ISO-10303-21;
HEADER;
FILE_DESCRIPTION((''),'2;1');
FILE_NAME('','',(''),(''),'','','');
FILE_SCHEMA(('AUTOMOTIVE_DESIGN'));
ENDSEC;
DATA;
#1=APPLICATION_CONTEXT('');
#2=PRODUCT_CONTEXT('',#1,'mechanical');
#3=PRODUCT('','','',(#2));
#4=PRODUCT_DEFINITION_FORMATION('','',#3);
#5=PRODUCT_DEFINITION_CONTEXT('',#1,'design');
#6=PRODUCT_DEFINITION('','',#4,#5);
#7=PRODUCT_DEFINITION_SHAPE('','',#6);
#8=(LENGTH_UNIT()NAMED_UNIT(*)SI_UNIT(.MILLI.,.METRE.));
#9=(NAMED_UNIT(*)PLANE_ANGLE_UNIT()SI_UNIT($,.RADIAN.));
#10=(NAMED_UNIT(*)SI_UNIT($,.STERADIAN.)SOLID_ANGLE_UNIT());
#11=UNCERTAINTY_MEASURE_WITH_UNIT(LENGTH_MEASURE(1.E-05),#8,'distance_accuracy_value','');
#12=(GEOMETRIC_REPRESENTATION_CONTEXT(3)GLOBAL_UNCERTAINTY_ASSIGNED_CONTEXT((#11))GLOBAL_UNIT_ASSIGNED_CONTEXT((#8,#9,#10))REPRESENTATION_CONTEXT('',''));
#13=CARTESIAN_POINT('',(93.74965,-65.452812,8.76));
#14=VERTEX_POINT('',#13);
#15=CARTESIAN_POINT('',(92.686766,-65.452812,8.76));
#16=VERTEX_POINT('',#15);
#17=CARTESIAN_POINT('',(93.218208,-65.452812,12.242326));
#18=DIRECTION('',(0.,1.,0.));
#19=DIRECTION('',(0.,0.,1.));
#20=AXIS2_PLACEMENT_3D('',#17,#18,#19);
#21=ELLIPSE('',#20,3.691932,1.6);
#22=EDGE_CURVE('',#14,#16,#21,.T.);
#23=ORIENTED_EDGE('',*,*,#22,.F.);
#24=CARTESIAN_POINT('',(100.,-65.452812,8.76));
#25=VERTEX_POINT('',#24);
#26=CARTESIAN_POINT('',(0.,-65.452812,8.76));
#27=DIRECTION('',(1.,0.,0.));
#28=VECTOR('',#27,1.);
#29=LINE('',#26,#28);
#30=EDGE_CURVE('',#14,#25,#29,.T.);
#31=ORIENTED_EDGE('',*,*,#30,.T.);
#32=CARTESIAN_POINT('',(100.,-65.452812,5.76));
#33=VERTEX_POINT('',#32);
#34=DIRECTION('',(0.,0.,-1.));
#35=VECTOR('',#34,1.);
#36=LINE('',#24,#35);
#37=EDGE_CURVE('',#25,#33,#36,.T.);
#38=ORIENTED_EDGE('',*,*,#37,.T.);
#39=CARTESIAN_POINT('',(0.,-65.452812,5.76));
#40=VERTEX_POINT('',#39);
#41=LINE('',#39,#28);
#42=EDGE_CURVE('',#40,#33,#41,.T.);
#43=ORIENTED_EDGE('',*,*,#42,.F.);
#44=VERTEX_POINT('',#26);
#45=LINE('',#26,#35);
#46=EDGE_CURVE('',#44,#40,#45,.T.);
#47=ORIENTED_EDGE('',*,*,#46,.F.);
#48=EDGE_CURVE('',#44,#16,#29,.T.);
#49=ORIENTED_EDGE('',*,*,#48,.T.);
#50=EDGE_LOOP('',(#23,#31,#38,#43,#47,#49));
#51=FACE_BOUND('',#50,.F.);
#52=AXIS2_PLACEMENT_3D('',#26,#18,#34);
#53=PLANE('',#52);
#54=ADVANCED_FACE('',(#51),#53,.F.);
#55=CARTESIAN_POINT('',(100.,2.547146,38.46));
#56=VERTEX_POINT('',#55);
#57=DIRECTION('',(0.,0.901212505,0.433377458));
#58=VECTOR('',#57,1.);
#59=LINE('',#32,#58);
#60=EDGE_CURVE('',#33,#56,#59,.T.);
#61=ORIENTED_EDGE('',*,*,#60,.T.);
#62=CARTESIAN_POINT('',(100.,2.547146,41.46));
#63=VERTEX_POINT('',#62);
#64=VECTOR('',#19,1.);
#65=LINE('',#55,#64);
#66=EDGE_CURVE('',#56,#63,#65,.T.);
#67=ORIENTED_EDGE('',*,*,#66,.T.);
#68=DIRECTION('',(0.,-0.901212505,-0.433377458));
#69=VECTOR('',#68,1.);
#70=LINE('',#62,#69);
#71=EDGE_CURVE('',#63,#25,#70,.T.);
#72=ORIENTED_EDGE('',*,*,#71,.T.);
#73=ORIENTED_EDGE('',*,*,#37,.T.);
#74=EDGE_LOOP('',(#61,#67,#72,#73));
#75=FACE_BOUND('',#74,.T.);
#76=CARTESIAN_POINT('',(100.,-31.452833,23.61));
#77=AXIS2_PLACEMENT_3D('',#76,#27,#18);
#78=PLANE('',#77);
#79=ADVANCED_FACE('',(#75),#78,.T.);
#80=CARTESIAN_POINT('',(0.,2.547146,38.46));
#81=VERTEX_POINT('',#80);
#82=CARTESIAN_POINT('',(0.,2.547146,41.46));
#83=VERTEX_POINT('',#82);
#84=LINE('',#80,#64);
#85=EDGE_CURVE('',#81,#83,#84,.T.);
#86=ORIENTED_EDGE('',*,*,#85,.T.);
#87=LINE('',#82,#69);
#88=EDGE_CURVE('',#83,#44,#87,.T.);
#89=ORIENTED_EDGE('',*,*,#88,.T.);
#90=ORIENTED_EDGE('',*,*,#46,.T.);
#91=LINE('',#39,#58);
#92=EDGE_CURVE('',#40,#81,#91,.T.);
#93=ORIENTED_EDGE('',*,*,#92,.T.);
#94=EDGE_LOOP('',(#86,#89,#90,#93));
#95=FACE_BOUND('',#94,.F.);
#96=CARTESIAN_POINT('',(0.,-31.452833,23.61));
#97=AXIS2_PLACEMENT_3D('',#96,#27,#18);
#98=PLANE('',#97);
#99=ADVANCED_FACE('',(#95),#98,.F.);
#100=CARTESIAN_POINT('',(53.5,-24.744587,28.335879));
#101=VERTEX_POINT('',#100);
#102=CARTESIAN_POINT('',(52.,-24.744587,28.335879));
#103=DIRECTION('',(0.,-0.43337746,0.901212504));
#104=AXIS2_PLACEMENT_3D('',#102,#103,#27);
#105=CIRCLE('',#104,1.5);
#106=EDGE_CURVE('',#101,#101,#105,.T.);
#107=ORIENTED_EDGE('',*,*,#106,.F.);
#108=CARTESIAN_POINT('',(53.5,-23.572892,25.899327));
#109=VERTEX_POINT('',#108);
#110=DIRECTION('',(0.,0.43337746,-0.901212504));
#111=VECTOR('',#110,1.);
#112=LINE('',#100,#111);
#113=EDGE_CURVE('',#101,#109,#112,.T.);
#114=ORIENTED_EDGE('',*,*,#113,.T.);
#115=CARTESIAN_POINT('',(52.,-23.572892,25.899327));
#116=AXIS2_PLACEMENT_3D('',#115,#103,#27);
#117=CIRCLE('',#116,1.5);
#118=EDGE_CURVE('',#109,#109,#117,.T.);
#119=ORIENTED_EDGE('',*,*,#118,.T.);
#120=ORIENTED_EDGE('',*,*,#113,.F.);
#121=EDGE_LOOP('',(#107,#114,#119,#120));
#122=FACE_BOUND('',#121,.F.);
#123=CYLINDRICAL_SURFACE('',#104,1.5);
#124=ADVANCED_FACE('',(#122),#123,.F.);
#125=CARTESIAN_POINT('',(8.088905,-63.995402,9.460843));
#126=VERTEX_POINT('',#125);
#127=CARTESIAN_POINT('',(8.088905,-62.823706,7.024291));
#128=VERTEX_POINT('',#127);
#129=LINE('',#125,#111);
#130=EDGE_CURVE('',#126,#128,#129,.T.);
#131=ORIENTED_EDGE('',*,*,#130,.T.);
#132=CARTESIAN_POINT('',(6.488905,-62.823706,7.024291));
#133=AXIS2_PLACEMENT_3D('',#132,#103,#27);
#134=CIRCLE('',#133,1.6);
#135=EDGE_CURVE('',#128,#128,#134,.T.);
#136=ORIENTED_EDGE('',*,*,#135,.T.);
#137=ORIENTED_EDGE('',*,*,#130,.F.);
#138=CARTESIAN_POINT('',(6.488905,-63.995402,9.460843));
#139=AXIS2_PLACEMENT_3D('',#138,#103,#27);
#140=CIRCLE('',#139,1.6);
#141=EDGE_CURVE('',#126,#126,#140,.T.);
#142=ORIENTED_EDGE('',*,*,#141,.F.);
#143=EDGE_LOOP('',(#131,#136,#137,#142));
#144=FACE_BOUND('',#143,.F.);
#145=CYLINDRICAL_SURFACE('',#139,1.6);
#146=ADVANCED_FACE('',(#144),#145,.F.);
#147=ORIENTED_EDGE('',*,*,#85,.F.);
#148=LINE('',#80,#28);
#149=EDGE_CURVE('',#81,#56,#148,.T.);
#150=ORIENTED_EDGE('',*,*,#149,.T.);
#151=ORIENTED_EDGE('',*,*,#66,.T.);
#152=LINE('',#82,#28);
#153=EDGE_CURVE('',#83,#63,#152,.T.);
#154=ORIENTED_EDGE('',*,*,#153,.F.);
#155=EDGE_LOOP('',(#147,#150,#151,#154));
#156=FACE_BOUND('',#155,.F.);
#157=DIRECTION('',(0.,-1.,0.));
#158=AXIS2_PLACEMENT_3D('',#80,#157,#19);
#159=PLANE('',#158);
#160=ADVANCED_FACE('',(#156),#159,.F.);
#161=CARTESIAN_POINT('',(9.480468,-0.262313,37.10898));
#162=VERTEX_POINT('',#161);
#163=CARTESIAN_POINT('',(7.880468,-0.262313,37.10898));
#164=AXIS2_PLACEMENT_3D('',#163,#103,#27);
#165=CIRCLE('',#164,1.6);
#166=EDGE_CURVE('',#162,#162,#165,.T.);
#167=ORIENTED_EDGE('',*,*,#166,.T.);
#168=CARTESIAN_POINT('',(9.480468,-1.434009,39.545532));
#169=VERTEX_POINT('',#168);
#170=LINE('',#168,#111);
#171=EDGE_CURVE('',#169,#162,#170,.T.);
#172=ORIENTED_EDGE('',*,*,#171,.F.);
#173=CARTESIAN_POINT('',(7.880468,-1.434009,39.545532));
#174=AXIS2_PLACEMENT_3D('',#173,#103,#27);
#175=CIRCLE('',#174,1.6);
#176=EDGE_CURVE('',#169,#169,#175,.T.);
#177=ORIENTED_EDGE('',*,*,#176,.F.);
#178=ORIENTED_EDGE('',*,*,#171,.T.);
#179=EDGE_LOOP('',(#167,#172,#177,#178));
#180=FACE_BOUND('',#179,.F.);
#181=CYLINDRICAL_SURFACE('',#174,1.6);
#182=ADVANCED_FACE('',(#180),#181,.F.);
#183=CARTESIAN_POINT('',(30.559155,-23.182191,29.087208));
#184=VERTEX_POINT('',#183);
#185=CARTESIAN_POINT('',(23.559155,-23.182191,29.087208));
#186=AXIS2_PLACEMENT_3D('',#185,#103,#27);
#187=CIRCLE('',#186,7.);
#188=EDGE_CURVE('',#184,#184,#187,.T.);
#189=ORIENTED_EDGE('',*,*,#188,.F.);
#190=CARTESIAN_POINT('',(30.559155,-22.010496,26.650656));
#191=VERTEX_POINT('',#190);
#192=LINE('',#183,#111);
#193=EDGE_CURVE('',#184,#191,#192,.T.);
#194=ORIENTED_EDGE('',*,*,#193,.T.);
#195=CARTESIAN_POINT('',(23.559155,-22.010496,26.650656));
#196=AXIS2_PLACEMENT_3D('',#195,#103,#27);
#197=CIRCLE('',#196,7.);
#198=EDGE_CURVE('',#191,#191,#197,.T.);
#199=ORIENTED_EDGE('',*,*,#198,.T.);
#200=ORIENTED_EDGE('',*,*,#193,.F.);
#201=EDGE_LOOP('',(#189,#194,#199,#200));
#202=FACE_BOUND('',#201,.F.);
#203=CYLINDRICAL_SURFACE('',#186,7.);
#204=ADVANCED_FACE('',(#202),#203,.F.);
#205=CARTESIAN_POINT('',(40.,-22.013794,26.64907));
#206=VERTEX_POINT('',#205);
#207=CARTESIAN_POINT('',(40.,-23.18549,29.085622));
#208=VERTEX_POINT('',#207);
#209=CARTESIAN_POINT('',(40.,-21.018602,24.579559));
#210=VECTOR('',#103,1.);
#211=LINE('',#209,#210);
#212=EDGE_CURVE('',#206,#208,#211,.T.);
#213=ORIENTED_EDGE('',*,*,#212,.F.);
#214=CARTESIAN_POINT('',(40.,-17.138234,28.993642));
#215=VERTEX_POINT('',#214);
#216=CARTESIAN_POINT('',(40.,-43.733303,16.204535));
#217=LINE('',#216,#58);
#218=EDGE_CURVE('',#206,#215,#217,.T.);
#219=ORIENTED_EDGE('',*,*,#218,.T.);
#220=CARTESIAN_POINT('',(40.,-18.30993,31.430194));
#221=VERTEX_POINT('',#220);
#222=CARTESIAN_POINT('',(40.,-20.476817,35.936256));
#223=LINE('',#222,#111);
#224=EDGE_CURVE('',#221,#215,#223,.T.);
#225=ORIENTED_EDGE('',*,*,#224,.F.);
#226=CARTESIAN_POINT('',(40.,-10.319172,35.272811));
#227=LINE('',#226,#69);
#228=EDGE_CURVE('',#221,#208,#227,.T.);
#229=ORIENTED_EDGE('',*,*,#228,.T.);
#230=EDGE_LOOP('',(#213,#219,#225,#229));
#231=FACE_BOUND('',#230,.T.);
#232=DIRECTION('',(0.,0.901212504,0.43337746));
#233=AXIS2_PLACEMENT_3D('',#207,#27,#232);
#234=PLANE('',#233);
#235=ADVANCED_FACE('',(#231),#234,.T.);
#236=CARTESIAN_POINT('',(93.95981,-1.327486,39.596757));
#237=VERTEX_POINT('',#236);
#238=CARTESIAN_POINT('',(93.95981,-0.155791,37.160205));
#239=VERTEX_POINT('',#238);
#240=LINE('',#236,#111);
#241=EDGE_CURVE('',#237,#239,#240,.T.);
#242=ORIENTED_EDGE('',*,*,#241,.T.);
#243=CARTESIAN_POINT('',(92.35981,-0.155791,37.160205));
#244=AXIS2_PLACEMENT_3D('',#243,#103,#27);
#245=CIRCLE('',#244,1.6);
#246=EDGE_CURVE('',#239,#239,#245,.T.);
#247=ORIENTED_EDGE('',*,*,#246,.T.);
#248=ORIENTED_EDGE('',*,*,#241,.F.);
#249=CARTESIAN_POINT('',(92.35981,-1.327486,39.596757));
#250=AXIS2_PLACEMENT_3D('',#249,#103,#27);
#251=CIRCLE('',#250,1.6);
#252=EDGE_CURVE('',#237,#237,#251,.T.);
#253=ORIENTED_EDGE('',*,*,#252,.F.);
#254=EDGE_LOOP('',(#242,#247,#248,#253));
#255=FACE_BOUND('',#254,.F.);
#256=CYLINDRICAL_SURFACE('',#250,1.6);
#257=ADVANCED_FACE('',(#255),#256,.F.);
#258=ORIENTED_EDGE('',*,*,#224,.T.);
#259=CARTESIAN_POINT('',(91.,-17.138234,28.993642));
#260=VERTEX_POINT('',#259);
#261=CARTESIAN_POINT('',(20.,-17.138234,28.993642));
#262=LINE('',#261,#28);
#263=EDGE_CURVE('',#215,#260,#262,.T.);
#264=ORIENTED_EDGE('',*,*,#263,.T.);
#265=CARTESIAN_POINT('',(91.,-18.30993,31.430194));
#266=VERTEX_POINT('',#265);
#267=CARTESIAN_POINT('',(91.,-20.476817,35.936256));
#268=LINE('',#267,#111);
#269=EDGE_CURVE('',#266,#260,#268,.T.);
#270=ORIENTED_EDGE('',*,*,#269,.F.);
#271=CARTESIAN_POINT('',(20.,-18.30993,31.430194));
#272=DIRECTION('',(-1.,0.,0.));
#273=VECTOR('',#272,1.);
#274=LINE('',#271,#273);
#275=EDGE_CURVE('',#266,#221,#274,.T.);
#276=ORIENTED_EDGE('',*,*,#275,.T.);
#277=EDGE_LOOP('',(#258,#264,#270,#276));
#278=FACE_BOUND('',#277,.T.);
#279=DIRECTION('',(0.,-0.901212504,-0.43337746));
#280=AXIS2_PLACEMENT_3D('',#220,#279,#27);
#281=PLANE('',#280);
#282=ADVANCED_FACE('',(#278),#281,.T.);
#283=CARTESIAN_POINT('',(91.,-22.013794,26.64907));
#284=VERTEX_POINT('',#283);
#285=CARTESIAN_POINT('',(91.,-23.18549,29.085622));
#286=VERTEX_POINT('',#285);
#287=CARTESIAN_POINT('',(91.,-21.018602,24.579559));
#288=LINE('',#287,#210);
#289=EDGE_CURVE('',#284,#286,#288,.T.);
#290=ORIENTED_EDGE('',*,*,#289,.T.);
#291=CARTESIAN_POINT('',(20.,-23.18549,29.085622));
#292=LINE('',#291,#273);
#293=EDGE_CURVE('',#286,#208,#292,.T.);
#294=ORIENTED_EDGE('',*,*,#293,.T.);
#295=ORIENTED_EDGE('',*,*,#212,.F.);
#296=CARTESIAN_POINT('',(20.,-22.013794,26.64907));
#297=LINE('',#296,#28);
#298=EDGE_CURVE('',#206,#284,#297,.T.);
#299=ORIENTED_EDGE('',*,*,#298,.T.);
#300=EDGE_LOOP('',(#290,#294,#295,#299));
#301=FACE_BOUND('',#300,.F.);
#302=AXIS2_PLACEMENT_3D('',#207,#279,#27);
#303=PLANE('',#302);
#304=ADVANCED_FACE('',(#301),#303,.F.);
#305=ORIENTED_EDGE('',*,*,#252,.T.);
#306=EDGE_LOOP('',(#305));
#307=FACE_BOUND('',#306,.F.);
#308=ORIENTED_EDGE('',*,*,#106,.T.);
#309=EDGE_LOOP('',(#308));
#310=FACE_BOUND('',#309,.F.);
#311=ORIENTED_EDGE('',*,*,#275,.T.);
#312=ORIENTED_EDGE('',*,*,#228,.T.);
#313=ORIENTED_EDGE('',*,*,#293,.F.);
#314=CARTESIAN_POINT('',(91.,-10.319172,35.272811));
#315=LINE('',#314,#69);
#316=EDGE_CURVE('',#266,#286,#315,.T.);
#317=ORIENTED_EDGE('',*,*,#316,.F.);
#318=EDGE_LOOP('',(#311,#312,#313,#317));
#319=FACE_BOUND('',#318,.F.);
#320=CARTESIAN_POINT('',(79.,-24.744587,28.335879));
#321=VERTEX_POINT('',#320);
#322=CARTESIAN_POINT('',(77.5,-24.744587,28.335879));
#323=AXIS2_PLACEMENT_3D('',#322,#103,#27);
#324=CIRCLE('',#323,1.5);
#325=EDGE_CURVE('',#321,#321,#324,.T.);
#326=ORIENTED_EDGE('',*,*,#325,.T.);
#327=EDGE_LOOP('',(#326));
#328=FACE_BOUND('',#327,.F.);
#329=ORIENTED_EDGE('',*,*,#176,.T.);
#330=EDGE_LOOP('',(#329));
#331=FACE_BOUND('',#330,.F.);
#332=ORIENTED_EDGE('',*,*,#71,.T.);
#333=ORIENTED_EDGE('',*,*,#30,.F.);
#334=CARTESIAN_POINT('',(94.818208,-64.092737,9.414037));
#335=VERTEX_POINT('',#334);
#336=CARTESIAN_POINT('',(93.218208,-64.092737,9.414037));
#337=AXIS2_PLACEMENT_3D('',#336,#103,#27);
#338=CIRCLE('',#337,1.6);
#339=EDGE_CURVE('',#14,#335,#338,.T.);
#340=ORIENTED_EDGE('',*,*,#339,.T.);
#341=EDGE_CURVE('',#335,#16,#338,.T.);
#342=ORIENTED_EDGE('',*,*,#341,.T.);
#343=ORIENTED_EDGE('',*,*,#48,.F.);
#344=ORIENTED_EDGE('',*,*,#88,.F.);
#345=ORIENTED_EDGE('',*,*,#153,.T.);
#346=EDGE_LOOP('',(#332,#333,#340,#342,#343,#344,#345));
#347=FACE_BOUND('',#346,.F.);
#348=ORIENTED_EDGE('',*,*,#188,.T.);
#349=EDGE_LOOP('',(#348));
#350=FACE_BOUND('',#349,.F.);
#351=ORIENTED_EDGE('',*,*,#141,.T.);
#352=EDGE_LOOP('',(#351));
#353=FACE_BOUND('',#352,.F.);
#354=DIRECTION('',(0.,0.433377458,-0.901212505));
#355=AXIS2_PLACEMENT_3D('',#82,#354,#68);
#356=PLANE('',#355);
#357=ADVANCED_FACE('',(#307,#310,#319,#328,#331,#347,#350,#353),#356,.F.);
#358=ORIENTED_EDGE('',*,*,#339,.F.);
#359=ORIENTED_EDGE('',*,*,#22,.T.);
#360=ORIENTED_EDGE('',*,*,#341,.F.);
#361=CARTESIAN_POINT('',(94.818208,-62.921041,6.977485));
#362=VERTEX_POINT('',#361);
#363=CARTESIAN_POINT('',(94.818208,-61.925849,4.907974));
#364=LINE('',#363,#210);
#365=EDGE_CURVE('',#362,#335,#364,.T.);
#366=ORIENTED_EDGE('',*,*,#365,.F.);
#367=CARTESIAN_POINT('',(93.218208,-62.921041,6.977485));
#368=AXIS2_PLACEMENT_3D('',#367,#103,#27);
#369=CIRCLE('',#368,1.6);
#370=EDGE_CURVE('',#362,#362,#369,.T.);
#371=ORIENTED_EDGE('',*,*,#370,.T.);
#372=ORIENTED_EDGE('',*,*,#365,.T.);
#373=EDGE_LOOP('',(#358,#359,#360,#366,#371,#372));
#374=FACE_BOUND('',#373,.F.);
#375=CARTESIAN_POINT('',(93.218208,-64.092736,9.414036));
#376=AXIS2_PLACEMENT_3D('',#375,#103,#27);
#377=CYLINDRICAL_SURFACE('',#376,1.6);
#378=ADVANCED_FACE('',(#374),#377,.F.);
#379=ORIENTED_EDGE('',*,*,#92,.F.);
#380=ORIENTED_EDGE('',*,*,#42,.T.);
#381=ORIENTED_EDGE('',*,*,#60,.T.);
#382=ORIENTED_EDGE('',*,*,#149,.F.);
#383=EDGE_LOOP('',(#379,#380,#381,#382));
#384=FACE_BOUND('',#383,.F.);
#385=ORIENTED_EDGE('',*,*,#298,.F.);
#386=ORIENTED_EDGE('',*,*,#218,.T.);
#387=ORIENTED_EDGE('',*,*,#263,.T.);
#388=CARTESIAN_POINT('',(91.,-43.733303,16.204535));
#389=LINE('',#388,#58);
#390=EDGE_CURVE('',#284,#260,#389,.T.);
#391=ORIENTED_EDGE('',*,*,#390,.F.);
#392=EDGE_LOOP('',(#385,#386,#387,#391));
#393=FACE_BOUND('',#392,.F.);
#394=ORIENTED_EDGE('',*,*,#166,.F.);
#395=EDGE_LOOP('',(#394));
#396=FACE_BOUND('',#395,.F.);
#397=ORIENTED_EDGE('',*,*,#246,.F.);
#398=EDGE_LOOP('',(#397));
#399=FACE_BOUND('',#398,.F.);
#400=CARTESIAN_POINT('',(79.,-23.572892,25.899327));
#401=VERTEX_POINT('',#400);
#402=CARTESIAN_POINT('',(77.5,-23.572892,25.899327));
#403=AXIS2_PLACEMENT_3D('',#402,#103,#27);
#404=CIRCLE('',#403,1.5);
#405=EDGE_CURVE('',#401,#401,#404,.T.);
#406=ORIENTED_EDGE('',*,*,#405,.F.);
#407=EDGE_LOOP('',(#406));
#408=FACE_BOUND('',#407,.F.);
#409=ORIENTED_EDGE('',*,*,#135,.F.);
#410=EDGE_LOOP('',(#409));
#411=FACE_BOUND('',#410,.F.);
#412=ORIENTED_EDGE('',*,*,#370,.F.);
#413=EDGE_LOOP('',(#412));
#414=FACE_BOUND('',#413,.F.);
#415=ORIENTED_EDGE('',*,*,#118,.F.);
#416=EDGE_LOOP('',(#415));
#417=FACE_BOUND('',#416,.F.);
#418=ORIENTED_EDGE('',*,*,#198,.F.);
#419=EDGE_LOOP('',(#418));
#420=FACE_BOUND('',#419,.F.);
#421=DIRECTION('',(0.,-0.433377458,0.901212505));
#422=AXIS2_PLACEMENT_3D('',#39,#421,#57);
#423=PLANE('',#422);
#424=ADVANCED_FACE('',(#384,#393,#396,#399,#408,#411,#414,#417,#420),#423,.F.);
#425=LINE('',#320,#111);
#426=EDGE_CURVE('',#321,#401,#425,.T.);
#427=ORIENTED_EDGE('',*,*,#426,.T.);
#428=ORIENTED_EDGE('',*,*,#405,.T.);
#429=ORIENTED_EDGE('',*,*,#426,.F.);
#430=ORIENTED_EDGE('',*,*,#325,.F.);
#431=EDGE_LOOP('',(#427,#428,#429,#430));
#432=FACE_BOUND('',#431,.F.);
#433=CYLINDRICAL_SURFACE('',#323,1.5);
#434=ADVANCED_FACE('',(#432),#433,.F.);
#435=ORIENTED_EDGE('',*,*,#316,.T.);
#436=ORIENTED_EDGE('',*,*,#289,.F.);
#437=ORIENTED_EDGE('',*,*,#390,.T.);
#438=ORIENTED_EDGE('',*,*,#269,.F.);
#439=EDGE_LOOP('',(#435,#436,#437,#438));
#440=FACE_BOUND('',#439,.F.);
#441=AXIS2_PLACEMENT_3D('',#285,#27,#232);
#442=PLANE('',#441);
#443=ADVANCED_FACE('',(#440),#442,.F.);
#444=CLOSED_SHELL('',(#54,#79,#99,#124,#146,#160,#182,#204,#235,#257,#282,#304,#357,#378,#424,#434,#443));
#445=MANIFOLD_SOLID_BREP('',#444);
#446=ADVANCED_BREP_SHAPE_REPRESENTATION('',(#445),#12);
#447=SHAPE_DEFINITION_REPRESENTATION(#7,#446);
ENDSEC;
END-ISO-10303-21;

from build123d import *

# Parameters (mm, degrees)
SKETCH009_AS_DRAWN_R                      = 1.5
SKETCH009_AS_DRAWN_W                      = 51
SKETCH009_AS_DRAWN_H                      = 5.41
EXTRUDE010_DEPTH                          = 5
EXTRUDE010_ONTO_SKETCH009_PLACEMENT_ANGLE = 25.682094
SKETCH008_AS_DRAWN_R                      = 7
EXTRUDE009_DEPTH                          = 30
EXTRUDE009_ONTO_SKETCH008_PLACEMENT_ANGLE = 25.682094
SKETCH007_AS_DRAWN_R                      = 1.6
EXTRUDE008_DEPTH                          = 5
EXTRUDE008_ONTO_SKETCH007_PLACEMENT_ANGLE = 25.682094
EXTRUDE007_DEPTH                          = 100


with BuildPart() as extrude010:
    # Sketch009 as drawn → Extrude010 (new, symmetric)
    with BuildSketch(Plane.XY):
        with Locations((52, -10.02)):
            Circle(SKETCH009_AS_DRAWN_R)
        with Locations((77.5, -10.02)):
            Circle(SKETCH009_AS_DRAWN_R)
        with Locations((65.5, -5.585)):
            Rectangle(SKETCH009_AS_DRAWN_W, SKETCH009_AS_DRAWN_H)
    extrude(amount=EXTRUDE010_DEPTH, both=True)


with BuildPart() as extrude010_1:
    # Extrude010 onto Sketch009 placement: moved
    add(extrude010.part.moved(Location((0, -15.714438, 32.678321))).rotate(Axis((0, -15.714438, 32.678321), (1, 0, 0)), EXTRUDE010_ONTO_SKETCH009_PLACEMENT_ANGLE))


with BuildPart() as extrude009:
    # Sketch008 as drawn → Extrude009 (new)
    with BuildSketch(Plane.XY):
        with Locations((23.559155, -8.28634)):
            Circle(SKETCH008_AS_DRAWN_R)
    extrude(amount=-EXTRUDE009_DEPTH)


with BuildPart() as extrude009_1:
    # Extrude009 onto Sketch008 placement: moved
    add(extrude009.part.moved(Location((0, -15.714438, 32.678321))).rotate(Axis((0, -15.714438, 32.678321), (1, 0, 0)), EXTRUDE009_ONTO_SKETCH008_PLACEMENT_ANGLE))


with BuildPart() as extrude008:
    # Sketch007 as drawn → Extrude008 (new, symmetric)
    with BuildSketch(Plane.XY):
        with Locations((92.35981, 15.963995)):
            Circle(SKETCH007_AS_DRAWN_R)
        with Locations((7.880468, 15.845796)):
            Circle(SKETCH007_AS_DRAWN_R)
        with Locations((6.488905, -53.57334)):
            Circle(SKETCH007_AS_DRAWN_R)
        with Locations((93.218208, -53.681344)):
            Circle(SKETCH007_AS_DRAWN_R)
    extrude(amount=EXTRUDE008_DEPTH, both=True)


with BuildPart() as extrude008_1:
    # Extrude008 onto Sketch007 placement: moved
    add(extrude008.part.moved(Location((0, -15.714438, 32.678321))).rotate(Axis((0, -15.714438, 32.678321), (1, 0, 0)), EXTRUDE008_ONTO_SKETCH007_PLACEMENT_ANGLE))


with BuildPart() as tapa:
    # Sketch006 → Extrude007 (new body)
    with BuildSketch(Plane.YZ):
        Polygon((-65.452812, 5.76), (2.547146, 38.46), (2.547146, 41.46), (-65.452812, 8.76), align=None)
    extrude(amount=EXTRUDE007_DEPTH)

    # Cut004: cut Extrude008
    add(extrude008_1.part, mode=Mode.SUBTRACT)

    # Cut005: cut Extrude009
    add(extrude009_1.part, mode=Mode.SUBTRACT)

    # Cut006: cut Extrude010
    add(extrude010_1.part, mode=Mode.SUBTRACT)


solid = tapa.part
